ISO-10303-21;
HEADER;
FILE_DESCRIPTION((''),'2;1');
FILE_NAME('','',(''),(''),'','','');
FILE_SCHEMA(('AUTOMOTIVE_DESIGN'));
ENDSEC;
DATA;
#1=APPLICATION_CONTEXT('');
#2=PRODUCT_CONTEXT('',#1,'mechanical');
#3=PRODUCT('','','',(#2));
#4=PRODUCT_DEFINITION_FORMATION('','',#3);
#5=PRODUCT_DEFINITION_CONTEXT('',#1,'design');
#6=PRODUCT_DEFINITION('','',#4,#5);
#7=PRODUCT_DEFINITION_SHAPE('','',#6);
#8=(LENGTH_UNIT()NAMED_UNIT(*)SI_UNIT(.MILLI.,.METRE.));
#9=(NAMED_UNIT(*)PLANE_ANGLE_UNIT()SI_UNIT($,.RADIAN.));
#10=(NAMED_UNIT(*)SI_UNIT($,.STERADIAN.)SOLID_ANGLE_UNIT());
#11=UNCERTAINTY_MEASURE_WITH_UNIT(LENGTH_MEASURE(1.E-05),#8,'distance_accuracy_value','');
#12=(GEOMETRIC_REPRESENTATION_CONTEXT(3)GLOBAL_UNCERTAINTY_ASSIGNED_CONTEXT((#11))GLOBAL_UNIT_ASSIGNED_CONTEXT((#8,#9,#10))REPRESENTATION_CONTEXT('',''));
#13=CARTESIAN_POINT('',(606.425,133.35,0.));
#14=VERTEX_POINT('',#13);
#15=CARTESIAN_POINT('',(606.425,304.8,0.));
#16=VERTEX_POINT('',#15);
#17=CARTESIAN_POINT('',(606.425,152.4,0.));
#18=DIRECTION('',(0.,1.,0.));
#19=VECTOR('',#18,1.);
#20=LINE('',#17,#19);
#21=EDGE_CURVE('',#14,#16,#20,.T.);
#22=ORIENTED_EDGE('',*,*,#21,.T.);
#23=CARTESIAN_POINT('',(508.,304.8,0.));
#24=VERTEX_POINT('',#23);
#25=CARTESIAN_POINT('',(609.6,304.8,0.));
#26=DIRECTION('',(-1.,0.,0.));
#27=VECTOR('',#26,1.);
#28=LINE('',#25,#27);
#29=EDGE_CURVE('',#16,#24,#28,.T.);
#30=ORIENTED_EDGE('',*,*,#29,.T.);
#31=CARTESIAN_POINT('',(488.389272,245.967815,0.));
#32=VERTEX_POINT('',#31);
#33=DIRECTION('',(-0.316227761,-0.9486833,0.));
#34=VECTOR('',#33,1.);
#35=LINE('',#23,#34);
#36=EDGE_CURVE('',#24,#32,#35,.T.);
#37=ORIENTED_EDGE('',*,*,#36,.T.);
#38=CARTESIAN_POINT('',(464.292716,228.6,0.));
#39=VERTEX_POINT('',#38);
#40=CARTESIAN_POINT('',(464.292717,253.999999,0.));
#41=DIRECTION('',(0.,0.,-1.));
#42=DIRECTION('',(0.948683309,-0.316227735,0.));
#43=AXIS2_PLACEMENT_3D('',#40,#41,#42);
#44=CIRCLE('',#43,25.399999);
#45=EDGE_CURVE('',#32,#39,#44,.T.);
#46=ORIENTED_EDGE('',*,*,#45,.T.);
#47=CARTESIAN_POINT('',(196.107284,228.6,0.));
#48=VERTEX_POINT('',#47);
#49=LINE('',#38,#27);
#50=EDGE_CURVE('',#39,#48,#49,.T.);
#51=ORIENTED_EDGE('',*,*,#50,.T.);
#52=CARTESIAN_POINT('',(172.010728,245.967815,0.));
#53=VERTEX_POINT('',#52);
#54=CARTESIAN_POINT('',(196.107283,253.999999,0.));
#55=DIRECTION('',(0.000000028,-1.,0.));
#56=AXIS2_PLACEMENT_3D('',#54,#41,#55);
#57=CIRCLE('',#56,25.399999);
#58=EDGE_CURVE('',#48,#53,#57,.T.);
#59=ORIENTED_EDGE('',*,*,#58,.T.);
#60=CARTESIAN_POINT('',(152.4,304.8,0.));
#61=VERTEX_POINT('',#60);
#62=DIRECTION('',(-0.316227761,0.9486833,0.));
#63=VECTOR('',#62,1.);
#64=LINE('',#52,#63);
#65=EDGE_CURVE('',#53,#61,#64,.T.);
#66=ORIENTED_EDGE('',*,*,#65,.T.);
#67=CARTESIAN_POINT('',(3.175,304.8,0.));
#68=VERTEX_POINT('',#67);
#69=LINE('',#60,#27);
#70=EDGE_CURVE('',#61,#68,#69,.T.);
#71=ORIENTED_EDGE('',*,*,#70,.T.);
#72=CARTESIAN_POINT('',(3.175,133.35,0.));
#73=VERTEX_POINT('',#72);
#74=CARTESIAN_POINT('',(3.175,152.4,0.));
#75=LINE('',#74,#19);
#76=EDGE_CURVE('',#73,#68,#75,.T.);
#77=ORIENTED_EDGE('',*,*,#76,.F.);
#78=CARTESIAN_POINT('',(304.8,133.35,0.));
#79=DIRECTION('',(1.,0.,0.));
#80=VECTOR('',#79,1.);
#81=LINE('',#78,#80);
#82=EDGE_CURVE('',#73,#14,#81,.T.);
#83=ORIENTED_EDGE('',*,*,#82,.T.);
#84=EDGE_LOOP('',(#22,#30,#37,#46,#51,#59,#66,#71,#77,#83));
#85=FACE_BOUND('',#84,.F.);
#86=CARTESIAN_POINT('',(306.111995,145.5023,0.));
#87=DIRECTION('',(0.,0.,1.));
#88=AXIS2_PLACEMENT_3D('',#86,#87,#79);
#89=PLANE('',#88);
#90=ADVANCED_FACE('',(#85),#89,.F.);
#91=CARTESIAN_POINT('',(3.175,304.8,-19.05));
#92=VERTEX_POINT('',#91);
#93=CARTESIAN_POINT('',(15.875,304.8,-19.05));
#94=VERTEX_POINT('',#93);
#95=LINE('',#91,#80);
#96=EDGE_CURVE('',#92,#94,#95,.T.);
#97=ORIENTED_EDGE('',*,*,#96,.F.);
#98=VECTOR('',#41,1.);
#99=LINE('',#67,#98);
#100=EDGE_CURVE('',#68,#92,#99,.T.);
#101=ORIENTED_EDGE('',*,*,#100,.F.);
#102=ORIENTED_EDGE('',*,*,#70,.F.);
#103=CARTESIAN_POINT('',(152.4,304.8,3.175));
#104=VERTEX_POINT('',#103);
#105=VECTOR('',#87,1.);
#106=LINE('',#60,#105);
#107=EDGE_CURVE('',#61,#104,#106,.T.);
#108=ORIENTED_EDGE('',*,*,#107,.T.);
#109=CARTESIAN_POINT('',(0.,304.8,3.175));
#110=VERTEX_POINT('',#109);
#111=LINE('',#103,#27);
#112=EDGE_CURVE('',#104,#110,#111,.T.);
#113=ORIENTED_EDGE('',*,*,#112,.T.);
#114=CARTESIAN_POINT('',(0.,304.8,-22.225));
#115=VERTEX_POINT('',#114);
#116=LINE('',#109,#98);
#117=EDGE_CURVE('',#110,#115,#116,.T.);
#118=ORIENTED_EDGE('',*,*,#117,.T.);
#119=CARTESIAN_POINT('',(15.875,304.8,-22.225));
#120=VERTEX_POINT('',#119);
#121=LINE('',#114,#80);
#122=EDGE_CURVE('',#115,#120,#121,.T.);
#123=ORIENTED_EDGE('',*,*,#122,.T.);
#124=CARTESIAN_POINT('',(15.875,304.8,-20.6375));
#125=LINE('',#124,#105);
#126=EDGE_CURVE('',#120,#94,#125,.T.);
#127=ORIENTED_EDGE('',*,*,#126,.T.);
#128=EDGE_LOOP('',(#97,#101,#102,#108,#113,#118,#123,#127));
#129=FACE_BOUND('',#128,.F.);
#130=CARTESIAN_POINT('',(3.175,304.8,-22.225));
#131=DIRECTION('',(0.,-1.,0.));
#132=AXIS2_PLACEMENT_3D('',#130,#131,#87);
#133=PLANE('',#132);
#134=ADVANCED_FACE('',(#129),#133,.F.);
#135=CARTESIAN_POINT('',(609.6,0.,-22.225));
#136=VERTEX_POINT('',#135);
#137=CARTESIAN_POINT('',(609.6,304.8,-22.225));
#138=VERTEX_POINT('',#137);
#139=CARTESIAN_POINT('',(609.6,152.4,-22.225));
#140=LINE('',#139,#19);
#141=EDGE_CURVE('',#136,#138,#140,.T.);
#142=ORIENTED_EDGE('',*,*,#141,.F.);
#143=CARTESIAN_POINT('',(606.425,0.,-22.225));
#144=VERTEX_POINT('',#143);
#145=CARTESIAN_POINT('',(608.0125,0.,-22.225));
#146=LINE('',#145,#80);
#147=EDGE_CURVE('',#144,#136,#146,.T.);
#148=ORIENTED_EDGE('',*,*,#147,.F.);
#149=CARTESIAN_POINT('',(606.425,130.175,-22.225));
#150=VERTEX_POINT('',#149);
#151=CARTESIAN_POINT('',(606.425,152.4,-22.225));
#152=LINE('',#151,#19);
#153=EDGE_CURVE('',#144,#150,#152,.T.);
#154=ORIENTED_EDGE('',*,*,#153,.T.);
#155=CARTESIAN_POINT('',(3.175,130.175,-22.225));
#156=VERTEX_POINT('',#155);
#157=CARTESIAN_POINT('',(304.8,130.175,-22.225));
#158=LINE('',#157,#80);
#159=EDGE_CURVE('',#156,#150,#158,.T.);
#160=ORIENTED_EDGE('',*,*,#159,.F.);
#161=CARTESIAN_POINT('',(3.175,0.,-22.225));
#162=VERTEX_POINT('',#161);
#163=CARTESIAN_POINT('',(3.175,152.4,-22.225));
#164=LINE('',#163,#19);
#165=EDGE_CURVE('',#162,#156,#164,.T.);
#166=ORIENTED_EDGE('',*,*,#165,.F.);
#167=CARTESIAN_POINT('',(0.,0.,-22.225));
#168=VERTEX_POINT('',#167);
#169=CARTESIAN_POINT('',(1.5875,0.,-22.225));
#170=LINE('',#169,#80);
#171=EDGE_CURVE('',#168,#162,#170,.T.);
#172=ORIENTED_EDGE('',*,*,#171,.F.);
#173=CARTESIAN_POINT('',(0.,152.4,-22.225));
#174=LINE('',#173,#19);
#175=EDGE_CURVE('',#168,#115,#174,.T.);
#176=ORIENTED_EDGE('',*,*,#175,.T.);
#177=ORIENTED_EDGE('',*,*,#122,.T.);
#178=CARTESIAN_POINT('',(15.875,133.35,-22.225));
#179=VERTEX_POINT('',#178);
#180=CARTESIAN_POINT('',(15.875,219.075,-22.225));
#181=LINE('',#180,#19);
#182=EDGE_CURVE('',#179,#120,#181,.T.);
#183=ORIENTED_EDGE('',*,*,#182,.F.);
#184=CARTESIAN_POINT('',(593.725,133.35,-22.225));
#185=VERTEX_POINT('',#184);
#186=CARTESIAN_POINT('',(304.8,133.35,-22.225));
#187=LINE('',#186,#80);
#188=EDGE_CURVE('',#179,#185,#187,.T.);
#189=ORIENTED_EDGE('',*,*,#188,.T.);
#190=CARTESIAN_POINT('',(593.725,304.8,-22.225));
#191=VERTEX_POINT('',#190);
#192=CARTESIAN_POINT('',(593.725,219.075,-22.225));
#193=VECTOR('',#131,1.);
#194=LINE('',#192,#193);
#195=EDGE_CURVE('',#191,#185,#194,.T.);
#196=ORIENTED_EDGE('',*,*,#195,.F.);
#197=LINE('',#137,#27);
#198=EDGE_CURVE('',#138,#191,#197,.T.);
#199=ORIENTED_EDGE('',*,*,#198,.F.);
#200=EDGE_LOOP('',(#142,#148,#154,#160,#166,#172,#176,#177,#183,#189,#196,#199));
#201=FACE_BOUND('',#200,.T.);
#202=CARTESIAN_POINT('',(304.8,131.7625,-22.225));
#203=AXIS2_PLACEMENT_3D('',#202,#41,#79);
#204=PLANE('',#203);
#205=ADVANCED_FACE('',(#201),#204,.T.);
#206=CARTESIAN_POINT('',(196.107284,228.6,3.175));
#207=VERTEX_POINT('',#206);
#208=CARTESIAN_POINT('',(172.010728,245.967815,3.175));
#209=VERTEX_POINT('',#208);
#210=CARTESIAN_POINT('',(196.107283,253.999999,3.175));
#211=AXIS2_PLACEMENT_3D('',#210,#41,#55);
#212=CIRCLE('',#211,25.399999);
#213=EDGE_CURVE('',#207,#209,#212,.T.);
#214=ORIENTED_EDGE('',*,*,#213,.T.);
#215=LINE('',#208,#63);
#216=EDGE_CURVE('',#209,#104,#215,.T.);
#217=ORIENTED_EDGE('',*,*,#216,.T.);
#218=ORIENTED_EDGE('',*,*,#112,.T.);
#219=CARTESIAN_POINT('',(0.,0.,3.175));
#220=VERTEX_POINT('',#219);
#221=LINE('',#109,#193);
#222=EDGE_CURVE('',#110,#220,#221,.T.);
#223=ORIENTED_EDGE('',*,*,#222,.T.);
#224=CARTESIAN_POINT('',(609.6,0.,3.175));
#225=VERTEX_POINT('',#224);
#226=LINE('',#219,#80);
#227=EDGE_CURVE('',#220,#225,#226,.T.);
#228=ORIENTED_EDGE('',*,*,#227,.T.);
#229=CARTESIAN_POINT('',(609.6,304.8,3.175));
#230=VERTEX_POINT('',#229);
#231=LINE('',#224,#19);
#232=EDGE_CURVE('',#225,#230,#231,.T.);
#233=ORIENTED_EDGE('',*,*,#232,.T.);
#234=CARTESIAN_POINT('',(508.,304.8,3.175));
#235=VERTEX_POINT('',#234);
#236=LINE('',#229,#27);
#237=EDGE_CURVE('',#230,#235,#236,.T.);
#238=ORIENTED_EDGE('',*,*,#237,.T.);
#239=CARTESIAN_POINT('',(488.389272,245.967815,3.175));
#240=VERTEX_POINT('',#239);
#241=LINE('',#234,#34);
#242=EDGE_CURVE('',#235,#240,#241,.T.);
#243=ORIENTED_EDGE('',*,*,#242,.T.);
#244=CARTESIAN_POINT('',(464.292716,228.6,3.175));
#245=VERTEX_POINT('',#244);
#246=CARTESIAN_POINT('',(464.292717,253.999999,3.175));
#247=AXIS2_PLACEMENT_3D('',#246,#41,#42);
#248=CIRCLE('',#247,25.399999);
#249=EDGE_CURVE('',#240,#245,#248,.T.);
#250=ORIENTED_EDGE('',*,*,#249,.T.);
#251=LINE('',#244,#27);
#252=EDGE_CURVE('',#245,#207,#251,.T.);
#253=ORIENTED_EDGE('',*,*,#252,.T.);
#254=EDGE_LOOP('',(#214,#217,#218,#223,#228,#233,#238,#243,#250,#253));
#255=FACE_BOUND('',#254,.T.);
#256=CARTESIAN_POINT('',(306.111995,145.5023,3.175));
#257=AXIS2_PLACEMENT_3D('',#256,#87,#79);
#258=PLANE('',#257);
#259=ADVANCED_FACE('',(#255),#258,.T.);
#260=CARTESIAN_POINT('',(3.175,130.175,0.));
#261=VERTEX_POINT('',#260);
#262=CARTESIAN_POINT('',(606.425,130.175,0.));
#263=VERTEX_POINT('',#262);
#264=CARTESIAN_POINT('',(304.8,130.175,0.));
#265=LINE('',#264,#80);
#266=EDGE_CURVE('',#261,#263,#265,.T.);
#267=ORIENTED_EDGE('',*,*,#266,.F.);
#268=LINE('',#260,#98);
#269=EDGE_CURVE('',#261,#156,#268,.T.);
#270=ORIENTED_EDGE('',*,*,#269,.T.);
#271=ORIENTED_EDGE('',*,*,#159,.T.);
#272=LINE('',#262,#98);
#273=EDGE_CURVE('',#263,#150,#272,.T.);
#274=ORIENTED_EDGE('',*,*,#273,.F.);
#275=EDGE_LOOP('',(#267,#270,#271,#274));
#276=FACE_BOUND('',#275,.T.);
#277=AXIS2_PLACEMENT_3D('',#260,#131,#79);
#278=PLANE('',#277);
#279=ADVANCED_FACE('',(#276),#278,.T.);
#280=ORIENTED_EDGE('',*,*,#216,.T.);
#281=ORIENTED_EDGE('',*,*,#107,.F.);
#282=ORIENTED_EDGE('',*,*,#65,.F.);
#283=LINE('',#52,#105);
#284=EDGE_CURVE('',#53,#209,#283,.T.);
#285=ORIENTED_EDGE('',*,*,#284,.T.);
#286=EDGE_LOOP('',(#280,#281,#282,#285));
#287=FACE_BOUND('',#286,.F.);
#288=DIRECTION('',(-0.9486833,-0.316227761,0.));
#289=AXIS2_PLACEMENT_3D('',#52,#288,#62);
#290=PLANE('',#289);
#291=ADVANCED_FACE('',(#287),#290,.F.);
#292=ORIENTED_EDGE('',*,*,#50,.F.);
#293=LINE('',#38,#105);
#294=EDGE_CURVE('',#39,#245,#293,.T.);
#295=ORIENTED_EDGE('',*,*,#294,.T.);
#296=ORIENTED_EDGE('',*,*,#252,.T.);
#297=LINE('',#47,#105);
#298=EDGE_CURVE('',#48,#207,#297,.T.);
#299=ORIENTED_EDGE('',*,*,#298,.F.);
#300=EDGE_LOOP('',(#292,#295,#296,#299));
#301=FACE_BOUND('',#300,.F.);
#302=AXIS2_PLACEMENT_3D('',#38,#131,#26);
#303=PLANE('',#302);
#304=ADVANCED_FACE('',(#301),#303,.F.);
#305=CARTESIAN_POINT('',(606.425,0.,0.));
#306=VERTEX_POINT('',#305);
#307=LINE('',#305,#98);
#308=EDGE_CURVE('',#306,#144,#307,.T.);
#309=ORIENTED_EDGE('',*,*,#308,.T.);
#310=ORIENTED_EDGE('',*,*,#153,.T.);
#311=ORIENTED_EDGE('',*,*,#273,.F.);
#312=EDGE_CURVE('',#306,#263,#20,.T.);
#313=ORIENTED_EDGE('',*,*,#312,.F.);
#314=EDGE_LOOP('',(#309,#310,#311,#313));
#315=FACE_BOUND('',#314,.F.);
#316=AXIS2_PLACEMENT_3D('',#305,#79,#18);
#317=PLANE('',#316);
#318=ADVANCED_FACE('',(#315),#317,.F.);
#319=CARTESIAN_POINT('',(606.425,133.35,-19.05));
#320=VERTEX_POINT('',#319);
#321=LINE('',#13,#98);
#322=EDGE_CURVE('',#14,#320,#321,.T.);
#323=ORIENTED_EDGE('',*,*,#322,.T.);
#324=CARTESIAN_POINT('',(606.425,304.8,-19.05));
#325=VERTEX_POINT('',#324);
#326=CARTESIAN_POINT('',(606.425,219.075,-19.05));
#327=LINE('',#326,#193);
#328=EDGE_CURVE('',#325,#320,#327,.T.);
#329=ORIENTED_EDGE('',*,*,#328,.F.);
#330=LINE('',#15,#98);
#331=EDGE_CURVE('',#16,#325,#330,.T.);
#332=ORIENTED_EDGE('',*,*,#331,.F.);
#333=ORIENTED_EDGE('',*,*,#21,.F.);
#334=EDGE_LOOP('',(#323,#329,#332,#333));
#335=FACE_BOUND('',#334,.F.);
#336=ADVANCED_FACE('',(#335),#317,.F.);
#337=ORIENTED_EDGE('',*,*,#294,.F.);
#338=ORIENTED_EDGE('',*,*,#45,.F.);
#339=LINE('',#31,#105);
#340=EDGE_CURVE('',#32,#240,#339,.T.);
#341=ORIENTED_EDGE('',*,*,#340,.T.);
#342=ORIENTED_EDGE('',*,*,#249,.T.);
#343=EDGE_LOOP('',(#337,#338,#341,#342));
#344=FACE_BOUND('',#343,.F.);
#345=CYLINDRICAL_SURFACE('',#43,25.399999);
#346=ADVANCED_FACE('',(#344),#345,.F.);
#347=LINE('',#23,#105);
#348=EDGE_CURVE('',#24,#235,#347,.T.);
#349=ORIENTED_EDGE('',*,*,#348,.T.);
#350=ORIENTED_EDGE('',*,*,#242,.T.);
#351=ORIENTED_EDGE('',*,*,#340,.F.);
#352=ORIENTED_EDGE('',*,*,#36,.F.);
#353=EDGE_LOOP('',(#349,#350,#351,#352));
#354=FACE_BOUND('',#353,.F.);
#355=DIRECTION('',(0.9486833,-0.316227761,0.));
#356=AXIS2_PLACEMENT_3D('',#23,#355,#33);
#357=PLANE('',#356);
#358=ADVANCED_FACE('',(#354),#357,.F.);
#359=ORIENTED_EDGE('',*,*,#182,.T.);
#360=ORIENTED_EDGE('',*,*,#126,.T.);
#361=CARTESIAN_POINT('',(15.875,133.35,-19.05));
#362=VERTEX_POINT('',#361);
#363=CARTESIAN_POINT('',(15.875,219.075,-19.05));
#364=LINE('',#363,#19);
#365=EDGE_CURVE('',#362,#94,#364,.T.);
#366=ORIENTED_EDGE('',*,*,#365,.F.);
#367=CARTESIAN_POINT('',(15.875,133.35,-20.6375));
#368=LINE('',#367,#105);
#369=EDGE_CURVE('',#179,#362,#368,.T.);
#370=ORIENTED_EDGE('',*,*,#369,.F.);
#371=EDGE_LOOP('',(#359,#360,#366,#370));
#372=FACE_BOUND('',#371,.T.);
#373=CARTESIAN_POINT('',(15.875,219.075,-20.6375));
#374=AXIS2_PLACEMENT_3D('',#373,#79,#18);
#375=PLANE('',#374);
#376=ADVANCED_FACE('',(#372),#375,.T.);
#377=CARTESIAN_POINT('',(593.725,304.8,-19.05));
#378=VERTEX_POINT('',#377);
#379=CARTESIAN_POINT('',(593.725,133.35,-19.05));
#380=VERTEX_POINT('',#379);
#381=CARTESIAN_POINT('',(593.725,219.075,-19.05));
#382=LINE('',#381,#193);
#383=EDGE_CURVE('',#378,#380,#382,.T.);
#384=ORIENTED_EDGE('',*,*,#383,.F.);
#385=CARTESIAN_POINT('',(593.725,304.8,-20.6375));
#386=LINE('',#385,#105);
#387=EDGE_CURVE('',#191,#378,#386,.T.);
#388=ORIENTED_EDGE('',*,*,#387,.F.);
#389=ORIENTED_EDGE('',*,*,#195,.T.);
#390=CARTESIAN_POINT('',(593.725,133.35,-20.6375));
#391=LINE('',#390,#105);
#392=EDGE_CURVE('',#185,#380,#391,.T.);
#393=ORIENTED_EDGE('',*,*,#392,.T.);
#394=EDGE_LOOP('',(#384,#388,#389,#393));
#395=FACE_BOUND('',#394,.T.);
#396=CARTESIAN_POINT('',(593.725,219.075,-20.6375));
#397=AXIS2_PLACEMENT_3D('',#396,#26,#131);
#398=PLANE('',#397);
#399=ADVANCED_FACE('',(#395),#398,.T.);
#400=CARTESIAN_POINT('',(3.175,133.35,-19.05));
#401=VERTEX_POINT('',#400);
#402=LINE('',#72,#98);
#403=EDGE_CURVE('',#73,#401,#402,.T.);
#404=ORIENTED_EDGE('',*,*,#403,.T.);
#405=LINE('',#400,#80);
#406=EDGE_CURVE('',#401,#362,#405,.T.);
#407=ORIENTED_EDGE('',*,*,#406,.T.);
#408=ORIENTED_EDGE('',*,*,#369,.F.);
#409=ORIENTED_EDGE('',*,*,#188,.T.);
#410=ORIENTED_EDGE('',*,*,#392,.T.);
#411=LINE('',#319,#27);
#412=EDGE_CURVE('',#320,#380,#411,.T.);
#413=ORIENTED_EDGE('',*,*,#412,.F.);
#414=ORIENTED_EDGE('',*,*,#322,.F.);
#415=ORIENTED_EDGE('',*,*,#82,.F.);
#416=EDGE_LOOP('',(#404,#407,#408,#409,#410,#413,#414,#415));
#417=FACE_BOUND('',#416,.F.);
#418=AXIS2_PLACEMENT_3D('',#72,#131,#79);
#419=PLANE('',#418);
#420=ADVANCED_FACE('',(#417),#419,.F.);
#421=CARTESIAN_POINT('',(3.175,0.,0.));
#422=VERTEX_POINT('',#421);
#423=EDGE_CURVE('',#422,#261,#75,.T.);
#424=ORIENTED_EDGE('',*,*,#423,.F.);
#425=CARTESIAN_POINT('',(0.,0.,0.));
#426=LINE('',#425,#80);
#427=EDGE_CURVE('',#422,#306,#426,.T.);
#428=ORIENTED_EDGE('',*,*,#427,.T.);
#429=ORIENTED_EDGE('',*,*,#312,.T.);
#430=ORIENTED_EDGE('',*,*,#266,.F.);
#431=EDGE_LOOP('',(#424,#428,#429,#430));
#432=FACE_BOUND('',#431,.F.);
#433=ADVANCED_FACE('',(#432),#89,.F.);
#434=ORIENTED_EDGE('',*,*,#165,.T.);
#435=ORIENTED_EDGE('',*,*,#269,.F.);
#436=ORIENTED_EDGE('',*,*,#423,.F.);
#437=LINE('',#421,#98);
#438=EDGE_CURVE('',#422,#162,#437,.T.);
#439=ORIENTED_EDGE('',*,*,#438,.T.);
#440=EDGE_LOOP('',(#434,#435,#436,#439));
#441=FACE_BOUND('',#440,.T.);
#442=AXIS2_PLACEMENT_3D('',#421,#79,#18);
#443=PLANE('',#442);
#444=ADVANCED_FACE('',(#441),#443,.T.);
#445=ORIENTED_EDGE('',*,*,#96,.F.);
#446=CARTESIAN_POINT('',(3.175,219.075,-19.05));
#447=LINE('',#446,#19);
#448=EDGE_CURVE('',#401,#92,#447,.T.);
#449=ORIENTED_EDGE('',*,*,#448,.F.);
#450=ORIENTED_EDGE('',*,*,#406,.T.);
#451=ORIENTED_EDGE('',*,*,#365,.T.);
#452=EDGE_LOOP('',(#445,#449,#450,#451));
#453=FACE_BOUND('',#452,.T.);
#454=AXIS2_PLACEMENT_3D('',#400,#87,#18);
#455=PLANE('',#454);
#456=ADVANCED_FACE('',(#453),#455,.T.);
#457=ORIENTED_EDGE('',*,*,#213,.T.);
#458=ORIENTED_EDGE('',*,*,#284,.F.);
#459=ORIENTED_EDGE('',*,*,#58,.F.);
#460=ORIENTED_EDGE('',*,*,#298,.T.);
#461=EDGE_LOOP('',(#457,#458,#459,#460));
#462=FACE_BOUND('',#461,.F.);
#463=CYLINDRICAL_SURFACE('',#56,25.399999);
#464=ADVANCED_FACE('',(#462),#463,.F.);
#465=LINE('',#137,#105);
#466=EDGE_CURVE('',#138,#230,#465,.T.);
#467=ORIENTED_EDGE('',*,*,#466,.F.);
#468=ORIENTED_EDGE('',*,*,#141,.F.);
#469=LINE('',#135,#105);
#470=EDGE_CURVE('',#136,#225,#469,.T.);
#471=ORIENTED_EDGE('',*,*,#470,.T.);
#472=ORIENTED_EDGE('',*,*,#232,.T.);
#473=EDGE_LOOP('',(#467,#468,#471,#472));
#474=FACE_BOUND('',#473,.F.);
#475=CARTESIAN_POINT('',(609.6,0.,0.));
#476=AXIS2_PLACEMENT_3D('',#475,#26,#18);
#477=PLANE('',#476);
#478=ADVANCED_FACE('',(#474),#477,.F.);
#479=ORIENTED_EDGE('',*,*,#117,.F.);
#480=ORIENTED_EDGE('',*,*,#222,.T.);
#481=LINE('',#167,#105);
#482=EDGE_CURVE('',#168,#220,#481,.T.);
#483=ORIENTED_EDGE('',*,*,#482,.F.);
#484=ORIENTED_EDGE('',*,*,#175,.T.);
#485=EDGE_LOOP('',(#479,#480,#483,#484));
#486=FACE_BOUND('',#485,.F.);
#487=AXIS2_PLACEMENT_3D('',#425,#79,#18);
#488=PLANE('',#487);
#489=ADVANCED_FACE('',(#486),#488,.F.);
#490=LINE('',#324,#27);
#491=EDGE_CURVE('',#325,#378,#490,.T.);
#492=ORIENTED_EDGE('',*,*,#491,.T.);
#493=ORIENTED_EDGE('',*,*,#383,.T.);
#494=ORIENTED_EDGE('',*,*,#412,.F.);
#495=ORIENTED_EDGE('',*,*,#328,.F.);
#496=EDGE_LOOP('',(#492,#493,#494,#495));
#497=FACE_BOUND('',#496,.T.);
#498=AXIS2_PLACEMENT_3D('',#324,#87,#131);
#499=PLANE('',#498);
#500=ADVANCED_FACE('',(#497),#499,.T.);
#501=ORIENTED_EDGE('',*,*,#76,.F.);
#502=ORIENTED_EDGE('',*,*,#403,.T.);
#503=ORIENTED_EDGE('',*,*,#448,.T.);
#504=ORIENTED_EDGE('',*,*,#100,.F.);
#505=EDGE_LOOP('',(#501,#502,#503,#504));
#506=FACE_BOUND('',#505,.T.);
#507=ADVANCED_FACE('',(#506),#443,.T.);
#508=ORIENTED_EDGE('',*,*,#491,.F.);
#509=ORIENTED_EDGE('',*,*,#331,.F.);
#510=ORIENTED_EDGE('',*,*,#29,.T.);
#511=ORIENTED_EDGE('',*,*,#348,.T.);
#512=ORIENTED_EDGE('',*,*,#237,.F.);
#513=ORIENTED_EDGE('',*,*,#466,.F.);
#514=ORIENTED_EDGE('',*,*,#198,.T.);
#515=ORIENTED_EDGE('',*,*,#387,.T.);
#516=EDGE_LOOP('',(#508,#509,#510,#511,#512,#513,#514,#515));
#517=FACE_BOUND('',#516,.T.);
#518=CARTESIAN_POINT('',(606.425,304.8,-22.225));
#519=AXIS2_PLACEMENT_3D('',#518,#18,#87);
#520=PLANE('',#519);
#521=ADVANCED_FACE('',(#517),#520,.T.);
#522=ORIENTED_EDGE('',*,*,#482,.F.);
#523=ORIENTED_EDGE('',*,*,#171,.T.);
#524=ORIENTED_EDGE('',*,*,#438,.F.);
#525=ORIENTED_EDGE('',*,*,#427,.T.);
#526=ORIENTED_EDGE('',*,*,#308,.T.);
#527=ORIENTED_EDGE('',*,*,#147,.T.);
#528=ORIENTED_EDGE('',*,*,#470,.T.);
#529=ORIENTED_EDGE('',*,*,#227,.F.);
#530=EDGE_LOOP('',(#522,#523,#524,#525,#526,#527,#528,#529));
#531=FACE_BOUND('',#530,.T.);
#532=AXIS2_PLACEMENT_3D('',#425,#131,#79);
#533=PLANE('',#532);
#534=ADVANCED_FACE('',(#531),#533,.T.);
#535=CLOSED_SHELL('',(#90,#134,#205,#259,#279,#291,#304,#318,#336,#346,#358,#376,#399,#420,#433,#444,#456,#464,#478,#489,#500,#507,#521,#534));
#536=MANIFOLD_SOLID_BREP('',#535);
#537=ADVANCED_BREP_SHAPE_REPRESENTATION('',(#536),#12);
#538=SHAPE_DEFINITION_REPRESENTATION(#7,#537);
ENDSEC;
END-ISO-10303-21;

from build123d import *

# Parameters (mm, degrees)
F1_DEPTH = 3.175
F2_W     = 3.175
F2_H     = 304.8
F3_DEPTH = 22.225
F4_W     = 171.45
F4_H     = 3.175
F6_DEPTH = 12.7
F5_W     = 171.45
F5_H     = 3.175
F7_DEPTH = 12.7
F8_W     = 603.25
F8_H     = 3.175
F9_DEPTH = 22.225


with BuildPart() as f1:
    # F0 (on Top) → F1 (new body)
    with BuildSketch(Plane.XY):
        with BuildLine():
            Line((0, 304.8), (0, 0))
            Line((0, 0), (609.6, 0))
            Line((609.6, 0), (609.6, 304.8))
            Line((609.6, 304.8), (508, 304.8))
            Line((508, 304.8), (488.389272, 245.967815))
            ThreePointArc((488.389272, 245.967815), (479.144357, 233.394448), (464.292716, 228.6))
            Line((464.292716, 228.6), (196.107284, 228.6))
            ThreePointArc((196.107284, 228.6), (181.255643, 233.394448), (172.010728, 245.967815))
            Line((172.010728, 245.967815), (152.4, 304.8))
            Line((152.4, 304.8), (0, 304.8))
        make_face()
    extrude(amount=F1_DEPTH)

    # F2 (on face) → F3 (join)
    with BuildSketch(Plane.XY):
        with Locations((1.5875, 152.4)):
            Rectangle(F2_W, F2_H)
        with Locations((608.0125, 152.4)):
            Rectangle(F2_W, F2_H)
    extrude(amount=-F3_DEPTH)

    # F4 (on face) → F6 (join)
    with BuildSketch(Plane(origin=(606.425, 0, 0), x_dir=(0, -1, 0), z_dir=(-1, 0, 0))):
        with Locations((-219.075, -20.6375)):
            Rectangle(F4_W, F4_H)
    extrude(amount=F6_DEPTH)

    # F5 (on face) → F7 (join)
    with BuildSketch(Plane.YZ.offset(3.175)):
        with Locations((219.075, -20.6375)):
            Rectangle(F5_W, F5_H)
    extrude(amount=F7_DEPTH)

    # F8 (on face) → F9 (join, through all)
    with BuildSketch(Plane(origin=(0, 0, 0), x_dir=(1, 0, 0), z_dir=(0, 0, -1))):
        with Locations((304.8, -131.7625)):
            Rectangle(F8_W, F8_H)
    extrude(amount=F9_DEPTH)


solid = f1.part
